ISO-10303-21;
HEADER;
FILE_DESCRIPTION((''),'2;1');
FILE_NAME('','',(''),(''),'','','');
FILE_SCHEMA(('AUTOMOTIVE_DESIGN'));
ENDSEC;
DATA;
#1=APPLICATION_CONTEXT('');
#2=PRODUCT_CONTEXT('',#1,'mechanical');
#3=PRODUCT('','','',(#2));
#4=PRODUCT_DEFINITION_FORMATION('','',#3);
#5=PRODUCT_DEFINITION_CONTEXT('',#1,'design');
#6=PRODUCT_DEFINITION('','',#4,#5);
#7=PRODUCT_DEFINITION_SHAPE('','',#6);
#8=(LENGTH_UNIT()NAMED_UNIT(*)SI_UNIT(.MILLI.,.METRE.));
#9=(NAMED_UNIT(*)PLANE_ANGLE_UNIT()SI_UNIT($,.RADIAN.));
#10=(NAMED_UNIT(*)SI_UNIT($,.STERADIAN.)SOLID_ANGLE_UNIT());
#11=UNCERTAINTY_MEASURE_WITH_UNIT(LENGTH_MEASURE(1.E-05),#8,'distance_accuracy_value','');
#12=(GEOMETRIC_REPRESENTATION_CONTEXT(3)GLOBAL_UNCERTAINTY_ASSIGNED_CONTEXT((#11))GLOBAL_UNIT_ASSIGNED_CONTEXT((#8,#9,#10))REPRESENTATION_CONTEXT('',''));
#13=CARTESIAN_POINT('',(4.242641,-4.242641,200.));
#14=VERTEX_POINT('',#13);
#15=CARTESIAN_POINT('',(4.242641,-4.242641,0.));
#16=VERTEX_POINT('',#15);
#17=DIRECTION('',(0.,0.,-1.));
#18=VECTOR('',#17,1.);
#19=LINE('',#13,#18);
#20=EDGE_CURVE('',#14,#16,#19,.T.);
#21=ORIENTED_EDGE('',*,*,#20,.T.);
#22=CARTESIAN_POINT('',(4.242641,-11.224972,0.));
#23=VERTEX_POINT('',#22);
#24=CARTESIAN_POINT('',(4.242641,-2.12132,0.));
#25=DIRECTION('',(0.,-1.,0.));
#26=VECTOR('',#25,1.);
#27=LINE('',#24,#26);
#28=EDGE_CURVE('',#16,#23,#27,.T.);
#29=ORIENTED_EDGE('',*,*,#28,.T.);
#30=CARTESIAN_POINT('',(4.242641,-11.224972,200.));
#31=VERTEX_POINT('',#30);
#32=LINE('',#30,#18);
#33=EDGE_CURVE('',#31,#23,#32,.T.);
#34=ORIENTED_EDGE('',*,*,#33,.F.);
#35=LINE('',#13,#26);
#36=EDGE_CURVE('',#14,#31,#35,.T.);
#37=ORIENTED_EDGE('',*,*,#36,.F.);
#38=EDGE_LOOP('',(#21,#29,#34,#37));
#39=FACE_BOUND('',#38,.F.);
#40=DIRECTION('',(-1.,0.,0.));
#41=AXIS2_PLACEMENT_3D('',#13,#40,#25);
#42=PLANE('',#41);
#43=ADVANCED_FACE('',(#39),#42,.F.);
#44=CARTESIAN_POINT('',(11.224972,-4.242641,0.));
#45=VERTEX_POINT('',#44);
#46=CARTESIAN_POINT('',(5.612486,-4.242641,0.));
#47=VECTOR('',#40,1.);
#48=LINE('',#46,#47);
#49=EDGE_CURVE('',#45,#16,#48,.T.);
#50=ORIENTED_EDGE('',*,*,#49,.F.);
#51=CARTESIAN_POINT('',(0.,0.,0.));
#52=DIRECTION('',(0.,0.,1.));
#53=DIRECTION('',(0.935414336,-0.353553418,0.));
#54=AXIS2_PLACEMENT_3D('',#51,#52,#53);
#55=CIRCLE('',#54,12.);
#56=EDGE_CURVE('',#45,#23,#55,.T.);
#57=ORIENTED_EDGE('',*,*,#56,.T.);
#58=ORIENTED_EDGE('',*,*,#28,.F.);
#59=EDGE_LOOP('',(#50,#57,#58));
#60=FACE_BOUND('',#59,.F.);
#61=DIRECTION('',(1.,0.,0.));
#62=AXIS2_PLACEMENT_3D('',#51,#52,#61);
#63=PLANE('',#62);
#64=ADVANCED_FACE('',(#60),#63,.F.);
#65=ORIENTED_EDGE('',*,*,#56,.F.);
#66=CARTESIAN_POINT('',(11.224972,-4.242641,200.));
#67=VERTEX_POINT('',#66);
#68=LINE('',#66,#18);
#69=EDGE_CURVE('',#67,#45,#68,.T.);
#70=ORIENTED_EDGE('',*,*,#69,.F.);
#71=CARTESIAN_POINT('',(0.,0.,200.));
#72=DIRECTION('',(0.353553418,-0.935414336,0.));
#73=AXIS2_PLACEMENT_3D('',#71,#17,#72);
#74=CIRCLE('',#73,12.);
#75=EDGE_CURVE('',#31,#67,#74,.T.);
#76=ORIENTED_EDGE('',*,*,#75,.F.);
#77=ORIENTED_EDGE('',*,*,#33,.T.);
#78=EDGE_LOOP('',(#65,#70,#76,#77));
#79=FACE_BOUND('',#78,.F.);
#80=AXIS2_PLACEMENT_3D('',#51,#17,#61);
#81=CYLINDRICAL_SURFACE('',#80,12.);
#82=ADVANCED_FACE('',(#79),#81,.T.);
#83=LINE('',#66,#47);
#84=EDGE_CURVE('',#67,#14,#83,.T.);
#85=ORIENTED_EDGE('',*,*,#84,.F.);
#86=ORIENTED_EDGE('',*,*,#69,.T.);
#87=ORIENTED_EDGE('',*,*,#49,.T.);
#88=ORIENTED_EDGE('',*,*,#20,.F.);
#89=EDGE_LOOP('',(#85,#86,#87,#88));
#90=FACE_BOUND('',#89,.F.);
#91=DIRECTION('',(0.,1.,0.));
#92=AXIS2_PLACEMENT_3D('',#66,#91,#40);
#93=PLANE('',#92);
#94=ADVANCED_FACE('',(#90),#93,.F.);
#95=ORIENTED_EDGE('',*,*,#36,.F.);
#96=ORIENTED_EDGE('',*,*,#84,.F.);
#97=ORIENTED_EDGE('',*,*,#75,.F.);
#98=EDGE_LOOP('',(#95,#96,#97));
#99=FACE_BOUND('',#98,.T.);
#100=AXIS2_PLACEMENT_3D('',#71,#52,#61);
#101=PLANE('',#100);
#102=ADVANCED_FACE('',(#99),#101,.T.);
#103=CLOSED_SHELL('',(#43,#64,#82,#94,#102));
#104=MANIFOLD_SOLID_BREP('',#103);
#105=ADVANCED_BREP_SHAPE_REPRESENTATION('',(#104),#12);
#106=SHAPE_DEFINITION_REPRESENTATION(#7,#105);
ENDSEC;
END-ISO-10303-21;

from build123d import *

# Parameters (mm, degrees)
F0_R     = 12
F1_DEPTH = 200
F3_DEPTH = 200.001


with BuildPart() as f1:
    # F0 (on Top) → F1 (new body)
    with BuildSketch(Plane.XY):
        Circle(F0_R)
    extrude(amount=F1_DEPTH)

    # F2 (on face) → F3 (cut, through all)
    with BuildSketch(Plane.XY.offset(200)):
        with BuildLine():
            Line((11.224972, -4.242641), (4.242641, -4.242641))
            Line((4.242641, -4.242641), (4.242641, -11.224972))
            ThreePointArc((4.242641, -11.224972), (8.485281, -8.485281), (11.224972, -4.242641))
        make_face()
    extrude(amount=-F3_DEPTH, mode=Mode.SUBTRACT)


solid = f1.part
